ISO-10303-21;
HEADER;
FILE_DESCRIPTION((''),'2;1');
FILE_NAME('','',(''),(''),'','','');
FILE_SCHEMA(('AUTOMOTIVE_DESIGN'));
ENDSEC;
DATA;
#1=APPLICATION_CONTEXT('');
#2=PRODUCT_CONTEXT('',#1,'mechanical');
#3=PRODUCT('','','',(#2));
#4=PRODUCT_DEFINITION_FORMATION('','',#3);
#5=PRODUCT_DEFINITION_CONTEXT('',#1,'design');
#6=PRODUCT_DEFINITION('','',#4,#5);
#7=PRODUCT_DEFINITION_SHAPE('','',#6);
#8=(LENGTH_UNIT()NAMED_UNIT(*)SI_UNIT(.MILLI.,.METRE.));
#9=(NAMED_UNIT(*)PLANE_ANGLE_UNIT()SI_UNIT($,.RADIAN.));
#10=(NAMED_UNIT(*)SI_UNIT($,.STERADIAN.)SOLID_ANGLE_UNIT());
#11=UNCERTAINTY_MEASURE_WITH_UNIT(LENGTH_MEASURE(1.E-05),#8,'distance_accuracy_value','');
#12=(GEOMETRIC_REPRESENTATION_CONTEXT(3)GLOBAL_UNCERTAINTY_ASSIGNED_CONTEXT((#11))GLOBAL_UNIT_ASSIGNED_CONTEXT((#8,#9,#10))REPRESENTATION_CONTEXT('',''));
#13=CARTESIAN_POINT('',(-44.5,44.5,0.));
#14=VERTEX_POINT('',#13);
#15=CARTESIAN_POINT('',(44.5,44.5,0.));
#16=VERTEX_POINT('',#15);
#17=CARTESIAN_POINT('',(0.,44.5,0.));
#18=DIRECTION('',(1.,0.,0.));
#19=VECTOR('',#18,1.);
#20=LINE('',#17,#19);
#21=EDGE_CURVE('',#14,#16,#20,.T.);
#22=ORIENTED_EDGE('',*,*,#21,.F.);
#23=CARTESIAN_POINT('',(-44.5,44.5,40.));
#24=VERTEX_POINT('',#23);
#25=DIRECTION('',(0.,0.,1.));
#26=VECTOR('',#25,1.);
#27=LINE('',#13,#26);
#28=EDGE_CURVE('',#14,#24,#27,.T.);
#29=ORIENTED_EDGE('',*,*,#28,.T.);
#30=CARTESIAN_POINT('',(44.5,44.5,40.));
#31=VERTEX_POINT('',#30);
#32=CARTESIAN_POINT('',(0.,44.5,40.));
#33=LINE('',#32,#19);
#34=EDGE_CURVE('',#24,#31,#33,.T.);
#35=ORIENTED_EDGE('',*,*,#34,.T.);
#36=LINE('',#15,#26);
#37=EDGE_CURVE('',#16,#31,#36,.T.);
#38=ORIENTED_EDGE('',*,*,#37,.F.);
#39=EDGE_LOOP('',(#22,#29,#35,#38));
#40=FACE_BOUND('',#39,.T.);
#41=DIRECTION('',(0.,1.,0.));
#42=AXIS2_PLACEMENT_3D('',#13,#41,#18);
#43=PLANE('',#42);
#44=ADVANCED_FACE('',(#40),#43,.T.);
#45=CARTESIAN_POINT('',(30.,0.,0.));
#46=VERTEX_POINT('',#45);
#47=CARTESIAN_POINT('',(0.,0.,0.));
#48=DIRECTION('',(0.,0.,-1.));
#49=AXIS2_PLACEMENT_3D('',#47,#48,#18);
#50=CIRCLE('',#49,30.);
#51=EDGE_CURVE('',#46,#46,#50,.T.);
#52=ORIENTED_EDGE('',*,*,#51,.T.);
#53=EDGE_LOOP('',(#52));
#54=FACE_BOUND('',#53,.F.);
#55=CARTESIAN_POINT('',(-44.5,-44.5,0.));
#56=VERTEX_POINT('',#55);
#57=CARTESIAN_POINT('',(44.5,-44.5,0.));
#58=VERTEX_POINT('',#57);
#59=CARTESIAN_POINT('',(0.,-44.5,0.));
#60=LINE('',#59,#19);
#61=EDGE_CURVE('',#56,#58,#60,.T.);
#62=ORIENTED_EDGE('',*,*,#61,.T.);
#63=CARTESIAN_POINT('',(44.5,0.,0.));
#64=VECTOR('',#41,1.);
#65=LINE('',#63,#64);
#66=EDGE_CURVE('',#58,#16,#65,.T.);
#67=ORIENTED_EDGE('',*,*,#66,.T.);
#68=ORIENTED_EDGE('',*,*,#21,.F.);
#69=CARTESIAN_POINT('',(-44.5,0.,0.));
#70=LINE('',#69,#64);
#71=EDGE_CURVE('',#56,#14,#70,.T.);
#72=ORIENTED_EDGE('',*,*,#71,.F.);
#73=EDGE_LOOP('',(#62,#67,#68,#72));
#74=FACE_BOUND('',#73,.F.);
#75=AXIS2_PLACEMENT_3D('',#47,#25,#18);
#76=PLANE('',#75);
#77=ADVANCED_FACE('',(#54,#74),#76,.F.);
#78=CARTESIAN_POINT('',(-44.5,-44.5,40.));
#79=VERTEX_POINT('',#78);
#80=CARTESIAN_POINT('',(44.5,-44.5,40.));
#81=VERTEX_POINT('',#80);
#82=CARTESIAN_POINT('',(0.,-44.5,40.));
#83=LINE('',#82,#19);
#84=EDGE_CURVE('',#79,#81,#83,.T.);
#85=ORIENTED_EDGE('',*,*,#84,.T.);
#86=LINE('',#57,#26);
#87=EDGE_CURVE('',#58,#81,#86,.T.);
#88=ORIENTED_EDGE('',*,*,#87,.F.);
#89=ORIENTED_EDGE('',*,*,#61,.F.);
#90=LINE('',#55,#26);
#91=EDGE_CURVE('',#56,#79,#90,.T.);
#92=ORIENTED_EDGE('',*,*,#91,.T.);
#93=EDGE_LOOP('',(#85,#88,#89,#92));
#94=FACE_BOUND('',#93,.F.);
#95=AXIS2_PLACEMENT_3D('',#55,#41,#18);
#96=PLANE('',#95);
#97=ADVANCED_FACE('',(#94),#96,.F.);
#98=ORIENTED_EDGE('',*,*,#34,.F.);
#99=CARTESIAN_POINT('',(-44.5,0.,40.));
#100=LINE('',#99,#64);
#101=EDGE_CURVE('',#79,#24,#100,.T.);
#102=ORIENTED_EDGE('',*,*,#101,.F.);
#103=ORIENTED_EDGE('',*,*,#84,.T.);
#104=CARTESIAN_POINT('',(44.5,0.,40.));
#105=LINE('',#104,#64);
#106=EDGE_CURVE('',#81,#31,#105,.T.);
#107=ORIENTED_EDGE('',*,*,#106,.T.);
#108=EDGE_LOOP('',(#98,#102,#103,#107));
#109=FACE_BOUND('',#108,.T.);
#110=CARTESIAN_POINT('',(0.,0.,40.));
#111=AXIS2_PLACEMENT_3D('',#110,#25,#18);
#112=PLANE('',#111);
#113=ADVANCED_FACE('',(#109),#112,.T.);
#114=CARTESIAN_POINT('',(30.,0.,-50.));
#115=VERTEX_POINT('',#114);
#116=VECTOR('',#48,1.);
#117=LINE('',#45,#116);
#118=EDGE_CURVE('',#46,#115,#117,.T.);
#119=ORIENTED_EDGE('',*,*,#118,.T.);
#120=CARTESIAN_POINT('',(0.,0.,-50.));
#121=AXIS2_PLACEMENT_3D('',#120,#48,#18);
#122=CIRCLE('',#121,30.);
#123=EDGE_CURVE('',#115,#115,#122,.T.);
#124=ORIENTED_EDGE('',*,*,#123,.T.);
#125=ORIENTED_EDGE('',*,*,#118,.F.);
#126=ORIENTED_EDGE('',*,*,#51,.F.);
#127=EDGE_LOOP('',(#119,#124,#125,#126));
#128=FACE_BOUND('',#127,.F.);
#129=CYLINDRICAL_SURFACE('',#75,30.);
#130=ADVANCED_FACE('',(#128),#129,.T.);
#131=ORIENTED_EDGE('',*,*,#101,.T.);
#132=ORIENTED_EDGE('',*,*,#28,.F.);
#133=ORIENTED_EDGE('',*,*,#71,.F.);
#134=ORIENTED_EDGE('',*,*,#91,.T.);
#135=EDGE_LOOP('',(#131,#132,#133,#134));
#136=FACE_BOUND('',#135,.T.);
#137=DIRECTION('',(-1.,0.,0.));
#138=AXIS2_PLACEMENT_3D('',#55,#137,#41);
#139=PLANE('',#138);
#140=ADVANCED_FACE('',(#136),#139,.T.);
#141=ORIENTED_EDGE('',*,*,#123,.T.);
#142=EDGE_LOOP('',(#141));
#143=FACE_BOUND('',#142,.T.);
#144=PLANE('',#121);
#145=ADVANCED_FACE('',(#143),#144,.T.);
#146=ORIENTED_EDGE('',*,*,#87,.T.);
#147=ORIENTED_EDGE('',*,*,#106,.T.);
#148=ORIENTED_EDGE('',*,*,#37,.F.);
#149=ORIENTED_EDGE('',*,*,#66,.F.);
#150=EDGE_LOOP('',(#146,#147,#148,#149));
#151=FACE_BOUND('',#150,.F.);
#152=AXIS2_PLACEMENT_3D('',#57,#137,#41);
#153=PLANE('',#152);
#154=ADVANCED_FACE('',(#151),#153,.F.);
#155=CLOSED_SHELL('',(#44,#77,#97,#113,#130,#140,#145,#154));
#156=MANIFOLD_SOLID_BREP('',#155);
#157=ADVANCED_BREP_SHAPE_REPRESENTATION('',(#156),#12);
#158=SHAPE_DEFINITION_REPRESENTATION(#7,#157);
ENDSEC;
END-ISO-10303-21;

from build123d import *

# Parameters (mm, degrees)
F0_W     = 89
F0_H     = 89
F1_DEPTH = 40
F2_R     = 30
F3_DEPTH = 50


with BuildPart() as f1:
    # F0 (on Top) → F1 (new body)
    with BuildSketch(Plane.XY):
        Rectangle(F0_W, F0_H)
    extrude(amount=F1_DEPTH)

    # F2 (on face) → F3 (join)
    with BuildSketch(Plane(origin=(0, 0, 0), x_dir=(1, 0, 0), z_dir=(0, 0, -1))):
        Circle(F2_R)
    extrude(amount=F3_DEPTH)


solid = f1.part
